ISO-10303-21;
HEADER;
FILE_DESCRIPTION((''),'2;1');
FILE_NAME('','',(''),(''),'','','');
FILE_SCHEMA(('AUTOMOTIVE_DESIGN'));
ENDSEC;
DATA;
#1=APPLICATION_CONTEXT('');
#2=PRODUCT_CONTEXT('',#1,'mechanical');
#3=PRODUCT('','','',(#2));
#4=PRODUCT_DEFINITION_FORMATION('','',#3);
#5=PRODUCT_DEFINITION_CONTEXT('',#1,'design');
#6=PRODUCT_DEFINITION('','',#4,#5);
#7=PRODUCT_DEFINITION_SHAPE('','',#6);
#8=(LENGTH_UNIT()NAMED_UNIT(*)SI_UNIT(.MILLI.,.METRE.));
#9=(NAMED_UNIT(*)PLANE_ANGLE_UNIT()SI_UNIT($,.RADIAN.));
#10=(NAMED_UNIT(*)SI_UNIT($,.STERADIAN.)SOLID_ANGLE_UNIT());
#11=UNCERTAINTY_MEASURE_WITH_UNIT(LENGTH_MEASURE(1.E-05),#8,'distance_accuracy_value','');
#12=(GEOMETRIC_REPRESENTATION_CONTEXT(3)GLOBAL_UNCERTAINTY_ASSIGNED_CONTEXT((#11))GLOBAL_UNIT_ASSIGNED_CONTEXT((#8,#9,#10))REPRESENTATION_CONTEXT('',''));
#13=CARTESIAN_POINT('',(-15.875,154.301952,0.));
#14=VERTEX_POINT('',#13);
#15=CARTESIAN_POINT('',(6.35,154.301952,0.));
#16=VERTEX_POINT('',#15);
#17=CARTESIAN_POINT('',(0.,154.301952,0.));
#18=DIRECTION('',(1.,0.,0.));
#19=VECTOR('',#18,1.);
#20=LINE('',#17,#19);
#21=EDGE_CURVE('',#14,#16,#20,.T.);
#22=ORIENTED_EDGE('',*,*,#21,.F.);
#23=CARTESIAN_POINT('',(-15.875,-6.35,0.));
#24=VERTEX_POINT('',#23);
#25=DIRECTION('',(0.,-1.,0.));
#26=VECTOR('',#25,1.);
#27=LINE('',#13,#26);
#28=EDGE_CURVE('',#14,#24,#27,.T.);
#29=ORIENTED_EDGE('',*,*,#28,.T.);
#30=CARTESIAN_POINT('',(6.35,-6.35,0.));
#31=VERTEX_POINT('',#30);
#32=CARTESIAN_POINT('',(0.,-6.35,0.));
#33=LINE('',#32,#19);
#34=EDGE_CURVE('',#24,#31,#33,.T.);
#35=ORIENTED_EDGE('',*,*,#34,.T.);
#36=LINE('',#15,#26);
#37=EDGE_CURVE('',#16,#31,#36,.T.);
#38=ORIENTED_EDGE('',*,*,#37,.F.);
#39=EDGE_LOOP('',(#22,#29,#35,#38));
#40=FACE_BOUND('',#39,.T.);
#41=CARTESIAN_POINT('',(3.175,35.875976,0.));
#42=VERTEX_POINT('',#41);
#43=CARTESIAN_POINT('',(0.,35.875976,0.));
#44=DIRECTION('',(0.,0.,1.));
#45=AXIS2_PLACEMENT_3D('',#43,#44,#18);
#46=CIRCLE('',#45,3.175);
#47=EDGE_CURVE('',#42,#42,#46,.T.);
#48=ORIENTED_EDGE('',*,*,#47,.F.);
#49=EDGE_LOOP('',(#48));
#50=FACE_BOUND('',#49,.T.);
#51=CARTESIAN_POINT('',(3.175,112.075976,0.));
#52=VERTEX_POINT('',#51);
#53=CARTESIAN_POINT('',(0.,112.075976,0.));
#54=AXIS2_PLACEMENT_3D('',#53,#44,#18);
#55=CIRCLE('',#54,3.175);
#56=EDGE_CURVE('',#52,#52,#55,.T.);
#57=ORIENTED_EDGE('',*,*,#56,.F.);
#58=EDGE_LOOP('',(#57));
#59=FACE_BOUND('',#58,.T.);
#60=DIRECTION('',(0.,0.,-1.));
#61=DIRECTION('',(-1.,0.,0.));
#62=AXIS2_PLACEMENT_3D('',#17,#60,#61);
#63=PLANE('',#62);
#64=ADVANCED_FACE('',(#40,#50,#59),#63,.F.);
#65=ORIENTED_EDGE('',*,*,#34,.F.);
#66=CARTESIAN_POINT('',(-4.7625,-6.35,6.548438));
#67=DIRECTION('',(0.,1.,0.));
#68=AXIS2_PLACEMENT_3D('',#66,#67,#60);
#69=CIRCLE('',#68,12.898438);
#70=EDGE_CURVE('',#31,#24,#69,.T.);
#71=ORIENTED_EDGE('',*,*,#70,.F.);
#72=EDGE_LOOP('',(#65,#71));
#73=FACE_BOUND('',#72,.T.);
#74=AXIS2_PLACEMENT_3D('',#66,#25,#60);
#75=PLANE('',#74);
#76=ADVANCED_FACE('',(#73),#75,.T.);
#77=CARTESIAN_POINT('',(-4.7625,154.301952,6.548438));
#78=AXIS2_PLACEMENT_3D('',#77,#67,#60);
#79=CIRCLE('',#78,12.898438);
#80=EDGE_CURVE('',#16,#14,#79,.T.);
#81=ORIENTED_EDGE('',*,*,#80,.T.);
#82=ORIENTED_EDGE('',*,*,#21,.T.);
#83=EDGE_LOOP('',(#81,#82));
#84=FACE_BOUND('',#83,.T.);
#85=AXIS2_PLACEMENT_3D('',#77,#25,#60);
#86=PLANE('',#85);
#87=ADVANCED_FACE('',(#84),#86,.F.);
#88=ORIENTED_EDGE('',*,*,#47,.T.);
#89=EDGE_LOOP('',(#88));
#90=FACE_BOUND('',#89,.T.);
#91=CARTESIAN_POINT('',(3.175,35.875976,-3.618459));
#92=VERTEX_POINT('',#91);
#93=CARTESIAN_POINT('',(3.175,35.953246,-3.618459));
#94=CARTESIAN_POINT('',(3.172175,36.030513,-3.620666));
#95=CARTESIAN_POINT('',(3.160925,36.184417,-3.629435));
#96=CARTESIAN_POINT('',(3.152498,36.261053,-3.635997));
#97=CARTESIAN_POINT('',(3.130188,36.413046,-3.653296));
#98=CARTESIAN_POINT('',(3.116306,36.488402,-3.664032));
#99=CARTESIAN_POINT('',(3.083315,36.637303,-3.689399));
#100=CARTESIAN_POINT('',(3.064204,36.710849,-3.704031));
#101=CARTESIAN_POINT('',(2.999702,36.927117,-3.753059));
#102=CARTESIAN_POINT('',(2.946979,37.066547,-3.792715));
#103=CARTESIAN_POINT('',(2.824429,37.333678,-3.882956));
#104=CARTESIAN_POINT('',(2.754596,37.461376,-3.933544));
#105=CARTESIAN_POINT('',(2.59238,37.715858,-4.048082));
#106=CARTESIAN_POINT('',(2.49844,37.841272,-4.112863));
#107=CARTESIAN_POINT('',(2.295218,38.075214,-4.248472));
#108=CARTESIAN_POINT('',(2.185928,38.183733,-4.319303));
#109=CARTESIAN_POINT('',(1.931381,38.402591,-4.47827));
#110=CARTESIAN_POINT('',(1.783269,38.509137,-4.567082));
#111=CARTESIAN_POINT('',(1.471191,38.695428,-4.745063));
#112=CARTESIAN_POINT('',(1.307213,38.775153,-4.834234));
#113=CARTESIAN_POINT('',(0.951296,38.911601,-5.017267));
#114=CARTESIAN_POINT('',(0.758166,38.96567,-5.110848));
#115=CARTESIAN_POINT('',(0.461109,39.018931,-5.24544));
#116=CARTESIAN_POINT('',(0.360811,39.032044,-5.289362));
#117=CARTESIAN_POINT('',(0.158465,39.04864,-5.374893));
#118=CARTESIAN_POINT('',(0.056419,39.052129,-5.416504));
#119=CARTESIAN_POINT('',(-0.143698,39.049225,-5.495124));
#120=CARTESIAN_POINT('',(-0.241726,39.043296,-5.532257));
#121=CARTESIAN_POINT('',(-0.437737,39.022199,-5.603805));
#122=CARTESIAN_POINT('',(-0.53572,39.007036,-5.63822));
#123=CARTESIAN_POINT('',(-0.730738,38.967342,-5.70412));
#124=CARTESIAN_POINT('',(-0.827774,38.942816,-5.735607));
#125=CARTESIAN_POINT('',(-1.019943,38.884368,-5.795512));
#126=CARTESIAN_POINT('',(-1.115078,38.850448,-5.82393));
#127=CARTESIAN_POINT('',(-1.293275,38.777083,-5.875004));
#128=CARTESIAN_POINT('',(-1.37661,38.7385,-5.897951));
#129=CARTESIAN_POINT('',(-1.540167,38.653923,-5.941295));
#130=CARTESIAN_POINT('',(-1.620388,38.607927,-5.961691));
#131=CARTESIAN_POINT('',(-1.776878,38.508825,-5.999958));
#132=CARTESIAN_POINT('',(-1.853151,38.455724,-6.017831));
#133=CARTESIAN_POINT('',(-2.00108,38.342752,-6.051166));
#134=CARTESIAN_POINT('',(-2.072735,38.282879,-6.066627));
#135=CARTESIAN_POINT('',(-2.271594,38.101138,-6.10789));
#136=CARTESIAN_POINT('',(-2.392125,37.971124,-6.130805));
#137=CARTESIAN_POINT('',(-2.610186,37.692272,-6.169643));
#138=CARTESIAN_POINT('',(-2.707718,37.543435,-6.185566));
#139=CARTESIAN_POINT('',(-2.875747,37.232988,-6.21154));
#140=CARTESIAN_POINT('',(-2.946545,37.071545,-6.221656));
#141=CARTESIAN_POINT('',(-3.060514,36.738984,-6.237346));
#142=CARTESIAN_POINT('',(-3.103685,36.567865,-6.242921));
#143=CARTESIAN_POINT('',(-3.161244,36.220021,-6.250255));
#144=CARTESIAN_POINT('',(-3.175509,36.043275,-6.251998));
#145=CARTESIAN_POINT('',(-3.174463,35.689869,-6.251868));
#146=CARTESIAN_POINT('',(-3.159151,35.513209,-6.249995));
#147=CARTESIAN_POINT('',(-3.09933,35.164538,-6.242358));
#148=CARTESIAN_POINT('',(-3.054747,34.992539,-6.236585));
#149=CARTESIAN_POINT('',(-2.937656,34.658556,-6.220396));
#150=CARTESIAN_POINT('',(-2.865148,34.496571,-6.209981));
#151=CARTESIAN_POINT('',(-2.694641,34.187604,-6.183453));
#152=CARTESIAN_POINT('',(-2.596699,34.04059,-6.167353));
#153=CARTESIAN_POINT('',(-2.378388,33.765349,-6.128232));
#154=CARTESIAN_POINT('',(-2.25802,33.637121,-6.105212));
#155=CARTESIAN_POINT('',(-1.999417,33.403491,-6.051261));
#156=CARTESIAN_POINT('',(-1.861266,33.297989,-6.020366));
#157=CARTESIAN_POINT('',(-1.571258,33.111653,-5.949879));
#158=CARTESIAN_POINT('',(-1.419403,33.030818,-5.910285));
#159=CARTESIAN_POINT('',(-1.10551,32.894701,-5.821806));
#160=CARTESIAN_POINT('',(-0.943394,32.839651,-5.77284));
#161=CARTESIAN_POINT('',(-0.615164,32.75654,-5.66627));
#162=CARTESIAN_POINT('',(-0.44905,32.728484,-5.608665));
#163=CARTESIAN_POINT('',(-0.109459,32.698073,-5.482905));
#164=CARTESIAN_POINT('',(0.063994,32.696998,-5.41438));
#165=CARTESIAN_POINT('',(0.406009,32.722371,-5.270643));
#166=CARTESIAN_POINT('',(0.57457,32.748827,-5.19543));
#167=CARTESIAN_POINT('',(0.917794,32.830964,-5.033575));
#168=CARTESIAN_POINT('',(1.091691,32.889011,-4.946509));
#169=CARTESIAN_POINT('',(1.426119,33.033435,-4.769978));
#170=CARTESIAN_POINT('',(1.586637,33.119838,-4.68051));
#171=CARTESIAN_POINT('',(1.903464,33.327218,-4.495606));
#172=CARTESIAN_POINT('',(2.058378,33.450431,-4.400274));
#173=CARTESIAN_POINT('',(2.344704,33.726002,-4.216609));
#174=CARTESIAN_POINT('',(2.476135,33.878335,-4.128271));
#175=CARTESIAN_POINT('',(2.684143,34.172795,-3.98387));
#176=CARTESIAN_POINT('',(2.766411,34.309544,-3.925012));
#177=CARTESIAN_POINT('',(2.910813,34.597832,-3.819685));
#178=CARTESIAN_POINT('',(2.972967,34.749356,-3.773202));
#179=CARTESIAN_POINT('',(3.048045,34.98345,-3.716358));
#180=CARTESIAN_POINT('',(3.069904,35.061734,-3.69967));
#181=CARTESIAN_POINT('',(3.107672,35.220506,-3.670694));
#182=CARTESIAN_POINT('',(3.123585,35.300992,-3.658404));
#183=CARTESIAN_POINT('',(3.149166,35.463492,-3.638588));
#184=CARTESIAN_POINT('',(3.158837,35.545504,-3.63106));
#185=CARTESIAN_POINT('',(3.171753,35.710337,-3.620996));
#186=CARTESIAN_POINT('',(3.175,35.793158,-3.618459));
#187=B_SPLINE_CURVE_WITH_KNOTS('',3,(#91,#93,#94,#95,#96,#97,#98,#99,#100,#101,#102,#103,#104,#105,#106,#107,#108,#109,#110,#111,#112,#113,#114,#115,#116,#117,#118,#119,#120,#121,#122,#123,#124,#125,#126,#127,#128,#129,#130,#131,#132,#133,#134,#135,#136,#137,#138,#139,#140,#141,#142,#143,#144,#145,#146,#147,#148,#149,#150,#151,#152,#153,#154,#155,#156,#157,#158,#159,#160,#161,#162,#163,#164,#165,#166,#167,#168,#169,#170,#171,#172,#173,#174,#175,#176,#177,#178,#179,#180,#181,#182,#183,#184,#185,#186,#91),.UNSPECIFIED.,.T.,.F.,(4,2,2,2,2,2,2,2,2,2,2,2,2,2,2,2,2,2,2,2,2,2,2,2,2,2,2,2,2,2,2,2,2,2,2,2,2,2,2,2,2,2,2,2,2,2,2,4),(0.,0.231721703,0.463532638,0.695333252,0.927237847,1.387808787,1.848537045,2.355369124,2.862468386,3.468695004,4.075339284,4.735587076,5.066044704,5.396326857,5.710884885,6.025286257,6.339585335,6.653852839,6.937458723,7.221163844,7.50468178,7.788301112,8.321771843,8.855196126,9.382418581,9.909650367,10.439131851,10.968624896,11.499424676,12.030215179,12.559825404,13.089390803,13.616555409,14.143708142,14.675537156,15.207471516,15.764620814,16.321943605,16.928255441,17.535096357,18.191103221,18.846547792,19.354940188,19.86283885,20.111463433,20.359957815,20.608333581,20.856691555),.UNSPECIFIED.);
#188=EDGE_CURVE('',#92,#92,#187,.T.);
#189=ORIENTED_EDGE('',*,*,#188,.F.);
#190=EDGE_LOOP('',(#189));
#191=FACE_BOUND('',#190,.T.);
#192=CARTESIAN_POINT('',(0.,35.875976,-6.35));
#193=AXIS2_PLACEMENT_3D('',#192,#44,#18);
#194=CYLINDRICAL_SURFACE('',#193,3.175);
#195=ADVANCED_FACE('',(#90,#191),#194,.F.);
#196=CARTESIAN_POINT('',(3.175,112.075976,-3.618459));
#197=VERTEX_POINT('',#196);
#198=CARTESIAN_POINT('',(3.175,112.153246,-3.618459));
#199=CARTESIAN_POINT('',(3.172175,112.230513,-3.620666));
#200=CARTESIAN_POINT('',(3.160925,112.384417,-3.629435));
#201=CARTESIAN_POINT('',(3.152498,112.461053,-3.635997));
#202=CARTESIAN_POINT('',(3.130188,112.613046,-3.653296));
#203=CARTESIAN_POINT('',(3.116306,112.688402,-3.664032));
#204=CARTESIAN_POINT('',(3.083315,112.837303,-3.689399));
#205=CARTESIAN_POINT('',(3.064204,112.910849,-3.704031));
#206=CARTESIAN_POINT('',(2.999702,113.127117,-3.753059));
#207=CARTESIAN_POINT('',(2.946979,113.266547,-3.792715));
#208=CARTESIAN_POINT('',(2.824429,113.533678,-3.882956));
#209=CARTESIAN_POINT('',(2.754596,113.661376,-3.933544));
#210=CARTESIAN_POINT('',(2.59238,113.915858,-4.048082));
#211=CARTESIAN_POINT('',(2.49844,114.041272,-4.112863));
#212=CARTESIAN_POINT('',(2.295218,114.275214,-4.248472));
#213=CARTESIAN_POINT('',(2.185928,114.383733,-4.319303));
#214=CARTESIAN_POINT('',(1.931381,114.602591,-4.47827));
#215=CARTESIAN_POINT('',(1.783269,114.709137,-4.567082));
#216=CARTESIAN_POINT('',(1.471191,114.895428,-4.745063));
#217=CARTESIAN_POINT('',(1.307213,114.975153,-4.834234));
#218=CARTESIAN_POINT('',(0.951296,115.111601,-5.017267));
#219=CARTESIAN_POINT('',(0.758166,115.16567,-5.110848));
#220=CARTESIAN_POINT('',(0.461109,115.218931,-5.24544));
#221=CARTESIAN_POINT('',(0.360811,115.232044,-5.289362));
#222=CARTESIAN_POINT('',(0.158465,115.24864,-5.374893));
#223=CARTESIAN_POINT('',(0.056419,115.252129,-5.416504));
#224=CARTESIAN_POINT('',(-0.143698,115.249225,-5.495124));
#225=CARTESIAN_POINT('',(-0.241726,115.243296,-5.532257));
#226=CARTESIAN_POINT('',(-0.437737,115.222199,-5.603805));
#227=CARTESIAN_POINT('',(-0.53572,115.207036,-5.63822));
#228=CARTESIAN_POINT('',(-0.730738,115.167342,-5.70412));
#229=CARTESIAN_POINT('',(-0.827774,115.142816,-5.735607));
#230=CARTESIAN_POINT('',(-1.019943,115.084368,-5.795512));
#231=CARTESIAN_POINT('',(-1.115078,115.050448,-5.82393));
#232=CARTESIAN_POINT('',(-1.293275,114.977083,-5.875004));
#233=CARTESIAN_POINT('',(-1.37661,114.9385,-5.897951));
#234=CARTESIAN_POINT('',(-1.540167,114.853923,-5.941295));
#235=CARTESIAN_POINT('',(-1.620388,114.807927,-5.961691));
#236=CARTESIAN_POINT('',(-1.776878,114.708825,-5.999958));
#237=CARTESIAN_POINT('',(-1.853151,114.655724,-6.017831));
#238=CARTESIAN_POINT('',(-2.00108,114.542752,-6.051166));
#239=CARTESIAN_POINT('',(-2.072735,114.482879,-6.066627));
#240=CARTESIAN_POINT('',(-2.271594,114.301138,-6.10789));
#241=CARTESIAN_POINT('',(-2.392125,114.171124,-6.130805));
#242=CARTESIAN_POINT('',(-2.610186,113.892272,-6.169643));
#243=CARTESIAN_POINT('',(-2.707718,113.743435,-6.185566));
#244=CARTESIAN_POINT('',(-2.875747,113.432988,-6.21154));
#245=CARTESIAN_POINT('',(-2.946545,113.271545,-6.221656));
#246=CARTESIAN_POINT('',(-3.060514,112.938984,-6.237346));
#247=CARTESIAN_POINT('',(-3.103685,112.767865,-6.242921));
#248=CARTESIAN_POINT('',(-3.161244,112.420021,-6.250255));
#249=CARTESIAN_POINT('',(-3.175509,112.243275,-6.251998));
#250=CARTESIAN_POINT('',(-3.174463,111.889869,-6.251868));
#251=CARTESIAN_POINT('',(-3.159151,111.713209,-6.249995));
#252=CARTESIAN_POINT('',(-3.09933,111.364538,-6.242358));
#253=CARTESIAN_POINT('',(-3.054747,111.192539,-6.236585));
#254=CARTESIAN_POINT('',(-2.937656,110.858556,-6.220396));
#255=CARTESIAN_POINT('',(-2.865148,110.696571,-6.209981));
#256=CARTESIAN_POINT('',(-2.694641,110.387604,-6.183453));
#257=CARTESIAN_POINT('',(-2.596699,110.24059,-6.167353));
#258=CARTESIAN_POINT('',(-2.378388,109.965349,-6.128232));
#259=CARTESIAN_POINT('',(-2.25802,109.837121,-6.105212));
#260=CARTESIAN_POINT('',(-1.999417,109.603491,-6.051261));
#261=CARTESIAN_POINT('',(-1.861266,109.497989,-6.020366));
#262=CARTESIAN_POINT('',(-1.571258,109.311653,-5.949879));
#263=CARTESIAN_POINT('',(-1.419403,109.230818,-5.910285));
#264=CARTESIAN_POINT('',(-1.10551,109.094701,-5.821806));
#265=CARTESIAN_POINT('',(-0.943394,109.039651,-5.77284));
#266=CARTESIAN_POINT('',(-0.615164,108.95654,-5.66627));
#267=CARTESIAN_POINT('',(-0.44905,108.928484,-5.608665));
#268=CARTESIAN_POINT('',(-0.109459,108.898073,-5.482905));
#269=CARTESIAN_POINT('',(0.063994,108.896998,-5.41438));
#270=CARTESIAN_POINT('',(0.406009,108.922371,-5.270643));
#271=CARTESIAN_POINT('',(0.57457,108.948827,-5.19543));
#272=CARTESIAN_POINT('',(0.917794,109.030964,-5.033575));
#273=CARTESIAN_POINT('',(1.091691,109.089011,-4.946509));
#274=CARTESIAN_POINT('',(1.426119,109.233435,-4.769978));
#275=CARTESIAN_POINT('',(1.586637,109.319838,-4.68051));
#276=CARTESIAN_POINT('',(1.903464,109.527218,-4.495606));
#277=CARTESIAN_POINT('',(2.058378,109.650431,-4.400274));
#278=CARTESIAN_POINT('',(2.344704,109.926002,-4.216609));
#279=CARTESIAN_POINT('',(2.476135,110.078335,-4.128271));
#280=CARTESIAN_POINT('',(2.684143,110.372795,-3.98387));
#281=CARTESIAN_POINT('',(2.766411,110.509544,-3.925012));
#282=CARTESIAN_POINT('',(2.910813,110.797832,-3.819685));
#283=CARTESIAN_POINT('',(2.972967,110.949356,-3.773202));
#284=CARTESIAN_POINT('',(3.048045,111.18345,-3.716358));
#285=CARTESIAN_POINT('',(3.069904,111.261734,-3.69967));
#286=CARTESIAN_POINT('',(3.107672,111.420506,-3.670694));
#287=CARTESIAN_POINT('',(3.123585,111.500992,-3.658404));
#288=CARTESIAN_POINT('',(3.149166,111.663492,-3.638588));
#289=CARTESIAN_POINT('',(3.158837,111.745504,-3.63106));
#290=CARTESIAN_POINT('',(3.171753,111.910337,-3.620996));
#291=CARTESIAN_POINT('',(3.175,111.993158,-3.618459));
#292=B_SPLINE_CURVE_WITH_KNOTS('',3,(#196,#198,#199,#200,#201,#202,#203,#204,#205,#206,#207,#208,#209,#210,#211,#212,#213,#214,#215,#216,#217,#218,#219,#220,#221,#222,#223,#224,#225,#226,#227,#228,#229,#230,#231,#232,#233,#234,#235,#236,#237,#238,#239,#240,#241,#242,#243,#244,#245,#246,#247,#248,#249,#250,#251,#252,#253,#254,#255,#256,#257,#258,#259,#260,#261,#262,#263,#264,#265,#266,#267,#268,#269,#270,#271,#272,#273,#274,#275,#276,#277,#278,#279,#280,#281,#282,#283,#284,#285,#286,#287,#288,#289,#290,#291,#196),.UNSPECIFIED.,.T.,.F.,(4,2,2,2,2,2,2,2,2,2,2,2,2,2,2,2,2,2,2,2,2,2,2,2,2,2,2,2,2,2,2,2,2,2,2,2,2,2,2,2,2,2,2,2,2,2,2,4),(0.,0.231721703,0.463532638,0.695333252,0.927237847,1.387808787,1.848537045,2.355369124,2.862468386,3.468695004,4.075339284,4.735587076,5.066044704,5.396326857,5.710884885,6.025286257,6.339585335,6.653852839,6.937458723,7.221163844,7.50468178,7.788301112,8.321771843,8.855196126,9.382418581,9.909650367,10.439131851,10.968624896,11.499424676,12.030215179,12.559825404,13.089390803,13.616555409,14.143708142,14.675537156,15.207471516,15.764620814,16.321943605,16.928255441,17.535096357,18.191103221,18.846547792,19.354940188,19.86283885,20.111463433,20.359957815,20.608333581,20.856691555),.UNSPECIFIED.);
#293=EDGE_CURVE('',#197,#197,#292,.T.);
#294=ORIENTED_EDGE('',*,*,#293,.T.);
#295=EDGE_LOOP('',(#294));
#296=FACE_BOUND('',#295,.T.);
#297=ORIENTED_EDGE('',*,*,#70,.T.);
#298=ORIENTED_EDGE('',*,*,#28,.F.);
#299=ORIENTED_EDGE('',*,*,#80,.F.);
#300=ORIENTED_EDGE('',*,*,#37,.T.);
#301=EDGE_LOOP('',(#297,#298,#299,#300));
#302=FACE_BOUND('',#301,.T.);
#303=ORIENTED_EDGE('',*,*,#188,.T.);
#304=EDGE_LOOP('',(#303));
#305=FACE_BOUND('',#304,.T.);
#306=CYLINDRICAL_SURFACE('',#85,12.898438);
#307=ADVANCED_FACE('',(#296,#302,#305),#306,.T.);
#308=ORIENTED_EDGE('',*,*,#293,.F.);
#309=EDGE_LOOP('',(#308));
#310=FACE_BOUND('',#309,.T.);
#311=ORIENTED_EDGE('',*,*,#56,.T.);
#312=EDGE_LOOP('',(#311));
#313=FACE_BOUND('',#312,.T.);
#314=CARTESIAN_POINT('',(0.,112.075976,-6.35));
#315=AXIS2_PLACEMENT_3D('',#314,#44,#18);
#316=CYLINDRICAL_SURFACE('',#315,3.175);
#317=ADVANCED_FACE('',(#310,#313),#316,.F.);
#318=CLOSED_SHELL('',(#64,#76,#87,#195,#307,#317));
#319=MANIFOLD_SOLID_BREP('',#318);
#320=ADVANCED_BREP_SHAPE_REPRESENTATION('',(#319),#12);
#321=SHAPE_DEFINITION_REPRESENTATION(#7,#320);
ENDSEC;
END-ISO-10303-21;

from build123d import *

# Parameters (mm, degrees)
BOSS_EXTRUDE1_START     = -6.35
BOSS_EXTRUDE1_DEPTH     = 160.651952
SKETCH1_R               = 3.175
CUT_EXTRUDE2_DEPTH      = 1
CUT_EXTRUDE2_DEPTH_BACK = 7.35


with BuildPart() as part:
    # Sketch2 → Boss-Extrude1 (new body)
    with BuildSketch(Plane(origin=(0, 0, 0), x_dir=(1, 0, 0), z_dir=(0, 1, 0)).offset(BOSS_EXTRUDE1_START)):
        with BuildLine():
            Line((0, 0), (6.35, 0))
            ThreePointArc((6.35, 0), (-4.7625, 6.35), (-15.875, 0))
            Line((-15.875, 0), (0, 0))
        make_face()
    extrude(amount=BOSS_EXTRUDE1_DEPTH)

    # Sketch1 → Cut-Extrude2 (cut, two sides)
    with BuildSketch(Plane.XY) as cut_extrude2_sk:
        with Locations((0, 35.875976)):
            Circle(SKETCH1_R)
        with Locations((0, 112.075976)):
            Circle(SKETCH1_R)
    extrude(amount=CUT_EXTRUDE2_DEPTH, mode=Mode.SUBTRACT)
    extrude(cut_extrude2_sk.sketch, amount=-CUT_EXTRUDE2_DEPTH_BACK, mode=Mode.SUBTRACT)


solid = part.part
